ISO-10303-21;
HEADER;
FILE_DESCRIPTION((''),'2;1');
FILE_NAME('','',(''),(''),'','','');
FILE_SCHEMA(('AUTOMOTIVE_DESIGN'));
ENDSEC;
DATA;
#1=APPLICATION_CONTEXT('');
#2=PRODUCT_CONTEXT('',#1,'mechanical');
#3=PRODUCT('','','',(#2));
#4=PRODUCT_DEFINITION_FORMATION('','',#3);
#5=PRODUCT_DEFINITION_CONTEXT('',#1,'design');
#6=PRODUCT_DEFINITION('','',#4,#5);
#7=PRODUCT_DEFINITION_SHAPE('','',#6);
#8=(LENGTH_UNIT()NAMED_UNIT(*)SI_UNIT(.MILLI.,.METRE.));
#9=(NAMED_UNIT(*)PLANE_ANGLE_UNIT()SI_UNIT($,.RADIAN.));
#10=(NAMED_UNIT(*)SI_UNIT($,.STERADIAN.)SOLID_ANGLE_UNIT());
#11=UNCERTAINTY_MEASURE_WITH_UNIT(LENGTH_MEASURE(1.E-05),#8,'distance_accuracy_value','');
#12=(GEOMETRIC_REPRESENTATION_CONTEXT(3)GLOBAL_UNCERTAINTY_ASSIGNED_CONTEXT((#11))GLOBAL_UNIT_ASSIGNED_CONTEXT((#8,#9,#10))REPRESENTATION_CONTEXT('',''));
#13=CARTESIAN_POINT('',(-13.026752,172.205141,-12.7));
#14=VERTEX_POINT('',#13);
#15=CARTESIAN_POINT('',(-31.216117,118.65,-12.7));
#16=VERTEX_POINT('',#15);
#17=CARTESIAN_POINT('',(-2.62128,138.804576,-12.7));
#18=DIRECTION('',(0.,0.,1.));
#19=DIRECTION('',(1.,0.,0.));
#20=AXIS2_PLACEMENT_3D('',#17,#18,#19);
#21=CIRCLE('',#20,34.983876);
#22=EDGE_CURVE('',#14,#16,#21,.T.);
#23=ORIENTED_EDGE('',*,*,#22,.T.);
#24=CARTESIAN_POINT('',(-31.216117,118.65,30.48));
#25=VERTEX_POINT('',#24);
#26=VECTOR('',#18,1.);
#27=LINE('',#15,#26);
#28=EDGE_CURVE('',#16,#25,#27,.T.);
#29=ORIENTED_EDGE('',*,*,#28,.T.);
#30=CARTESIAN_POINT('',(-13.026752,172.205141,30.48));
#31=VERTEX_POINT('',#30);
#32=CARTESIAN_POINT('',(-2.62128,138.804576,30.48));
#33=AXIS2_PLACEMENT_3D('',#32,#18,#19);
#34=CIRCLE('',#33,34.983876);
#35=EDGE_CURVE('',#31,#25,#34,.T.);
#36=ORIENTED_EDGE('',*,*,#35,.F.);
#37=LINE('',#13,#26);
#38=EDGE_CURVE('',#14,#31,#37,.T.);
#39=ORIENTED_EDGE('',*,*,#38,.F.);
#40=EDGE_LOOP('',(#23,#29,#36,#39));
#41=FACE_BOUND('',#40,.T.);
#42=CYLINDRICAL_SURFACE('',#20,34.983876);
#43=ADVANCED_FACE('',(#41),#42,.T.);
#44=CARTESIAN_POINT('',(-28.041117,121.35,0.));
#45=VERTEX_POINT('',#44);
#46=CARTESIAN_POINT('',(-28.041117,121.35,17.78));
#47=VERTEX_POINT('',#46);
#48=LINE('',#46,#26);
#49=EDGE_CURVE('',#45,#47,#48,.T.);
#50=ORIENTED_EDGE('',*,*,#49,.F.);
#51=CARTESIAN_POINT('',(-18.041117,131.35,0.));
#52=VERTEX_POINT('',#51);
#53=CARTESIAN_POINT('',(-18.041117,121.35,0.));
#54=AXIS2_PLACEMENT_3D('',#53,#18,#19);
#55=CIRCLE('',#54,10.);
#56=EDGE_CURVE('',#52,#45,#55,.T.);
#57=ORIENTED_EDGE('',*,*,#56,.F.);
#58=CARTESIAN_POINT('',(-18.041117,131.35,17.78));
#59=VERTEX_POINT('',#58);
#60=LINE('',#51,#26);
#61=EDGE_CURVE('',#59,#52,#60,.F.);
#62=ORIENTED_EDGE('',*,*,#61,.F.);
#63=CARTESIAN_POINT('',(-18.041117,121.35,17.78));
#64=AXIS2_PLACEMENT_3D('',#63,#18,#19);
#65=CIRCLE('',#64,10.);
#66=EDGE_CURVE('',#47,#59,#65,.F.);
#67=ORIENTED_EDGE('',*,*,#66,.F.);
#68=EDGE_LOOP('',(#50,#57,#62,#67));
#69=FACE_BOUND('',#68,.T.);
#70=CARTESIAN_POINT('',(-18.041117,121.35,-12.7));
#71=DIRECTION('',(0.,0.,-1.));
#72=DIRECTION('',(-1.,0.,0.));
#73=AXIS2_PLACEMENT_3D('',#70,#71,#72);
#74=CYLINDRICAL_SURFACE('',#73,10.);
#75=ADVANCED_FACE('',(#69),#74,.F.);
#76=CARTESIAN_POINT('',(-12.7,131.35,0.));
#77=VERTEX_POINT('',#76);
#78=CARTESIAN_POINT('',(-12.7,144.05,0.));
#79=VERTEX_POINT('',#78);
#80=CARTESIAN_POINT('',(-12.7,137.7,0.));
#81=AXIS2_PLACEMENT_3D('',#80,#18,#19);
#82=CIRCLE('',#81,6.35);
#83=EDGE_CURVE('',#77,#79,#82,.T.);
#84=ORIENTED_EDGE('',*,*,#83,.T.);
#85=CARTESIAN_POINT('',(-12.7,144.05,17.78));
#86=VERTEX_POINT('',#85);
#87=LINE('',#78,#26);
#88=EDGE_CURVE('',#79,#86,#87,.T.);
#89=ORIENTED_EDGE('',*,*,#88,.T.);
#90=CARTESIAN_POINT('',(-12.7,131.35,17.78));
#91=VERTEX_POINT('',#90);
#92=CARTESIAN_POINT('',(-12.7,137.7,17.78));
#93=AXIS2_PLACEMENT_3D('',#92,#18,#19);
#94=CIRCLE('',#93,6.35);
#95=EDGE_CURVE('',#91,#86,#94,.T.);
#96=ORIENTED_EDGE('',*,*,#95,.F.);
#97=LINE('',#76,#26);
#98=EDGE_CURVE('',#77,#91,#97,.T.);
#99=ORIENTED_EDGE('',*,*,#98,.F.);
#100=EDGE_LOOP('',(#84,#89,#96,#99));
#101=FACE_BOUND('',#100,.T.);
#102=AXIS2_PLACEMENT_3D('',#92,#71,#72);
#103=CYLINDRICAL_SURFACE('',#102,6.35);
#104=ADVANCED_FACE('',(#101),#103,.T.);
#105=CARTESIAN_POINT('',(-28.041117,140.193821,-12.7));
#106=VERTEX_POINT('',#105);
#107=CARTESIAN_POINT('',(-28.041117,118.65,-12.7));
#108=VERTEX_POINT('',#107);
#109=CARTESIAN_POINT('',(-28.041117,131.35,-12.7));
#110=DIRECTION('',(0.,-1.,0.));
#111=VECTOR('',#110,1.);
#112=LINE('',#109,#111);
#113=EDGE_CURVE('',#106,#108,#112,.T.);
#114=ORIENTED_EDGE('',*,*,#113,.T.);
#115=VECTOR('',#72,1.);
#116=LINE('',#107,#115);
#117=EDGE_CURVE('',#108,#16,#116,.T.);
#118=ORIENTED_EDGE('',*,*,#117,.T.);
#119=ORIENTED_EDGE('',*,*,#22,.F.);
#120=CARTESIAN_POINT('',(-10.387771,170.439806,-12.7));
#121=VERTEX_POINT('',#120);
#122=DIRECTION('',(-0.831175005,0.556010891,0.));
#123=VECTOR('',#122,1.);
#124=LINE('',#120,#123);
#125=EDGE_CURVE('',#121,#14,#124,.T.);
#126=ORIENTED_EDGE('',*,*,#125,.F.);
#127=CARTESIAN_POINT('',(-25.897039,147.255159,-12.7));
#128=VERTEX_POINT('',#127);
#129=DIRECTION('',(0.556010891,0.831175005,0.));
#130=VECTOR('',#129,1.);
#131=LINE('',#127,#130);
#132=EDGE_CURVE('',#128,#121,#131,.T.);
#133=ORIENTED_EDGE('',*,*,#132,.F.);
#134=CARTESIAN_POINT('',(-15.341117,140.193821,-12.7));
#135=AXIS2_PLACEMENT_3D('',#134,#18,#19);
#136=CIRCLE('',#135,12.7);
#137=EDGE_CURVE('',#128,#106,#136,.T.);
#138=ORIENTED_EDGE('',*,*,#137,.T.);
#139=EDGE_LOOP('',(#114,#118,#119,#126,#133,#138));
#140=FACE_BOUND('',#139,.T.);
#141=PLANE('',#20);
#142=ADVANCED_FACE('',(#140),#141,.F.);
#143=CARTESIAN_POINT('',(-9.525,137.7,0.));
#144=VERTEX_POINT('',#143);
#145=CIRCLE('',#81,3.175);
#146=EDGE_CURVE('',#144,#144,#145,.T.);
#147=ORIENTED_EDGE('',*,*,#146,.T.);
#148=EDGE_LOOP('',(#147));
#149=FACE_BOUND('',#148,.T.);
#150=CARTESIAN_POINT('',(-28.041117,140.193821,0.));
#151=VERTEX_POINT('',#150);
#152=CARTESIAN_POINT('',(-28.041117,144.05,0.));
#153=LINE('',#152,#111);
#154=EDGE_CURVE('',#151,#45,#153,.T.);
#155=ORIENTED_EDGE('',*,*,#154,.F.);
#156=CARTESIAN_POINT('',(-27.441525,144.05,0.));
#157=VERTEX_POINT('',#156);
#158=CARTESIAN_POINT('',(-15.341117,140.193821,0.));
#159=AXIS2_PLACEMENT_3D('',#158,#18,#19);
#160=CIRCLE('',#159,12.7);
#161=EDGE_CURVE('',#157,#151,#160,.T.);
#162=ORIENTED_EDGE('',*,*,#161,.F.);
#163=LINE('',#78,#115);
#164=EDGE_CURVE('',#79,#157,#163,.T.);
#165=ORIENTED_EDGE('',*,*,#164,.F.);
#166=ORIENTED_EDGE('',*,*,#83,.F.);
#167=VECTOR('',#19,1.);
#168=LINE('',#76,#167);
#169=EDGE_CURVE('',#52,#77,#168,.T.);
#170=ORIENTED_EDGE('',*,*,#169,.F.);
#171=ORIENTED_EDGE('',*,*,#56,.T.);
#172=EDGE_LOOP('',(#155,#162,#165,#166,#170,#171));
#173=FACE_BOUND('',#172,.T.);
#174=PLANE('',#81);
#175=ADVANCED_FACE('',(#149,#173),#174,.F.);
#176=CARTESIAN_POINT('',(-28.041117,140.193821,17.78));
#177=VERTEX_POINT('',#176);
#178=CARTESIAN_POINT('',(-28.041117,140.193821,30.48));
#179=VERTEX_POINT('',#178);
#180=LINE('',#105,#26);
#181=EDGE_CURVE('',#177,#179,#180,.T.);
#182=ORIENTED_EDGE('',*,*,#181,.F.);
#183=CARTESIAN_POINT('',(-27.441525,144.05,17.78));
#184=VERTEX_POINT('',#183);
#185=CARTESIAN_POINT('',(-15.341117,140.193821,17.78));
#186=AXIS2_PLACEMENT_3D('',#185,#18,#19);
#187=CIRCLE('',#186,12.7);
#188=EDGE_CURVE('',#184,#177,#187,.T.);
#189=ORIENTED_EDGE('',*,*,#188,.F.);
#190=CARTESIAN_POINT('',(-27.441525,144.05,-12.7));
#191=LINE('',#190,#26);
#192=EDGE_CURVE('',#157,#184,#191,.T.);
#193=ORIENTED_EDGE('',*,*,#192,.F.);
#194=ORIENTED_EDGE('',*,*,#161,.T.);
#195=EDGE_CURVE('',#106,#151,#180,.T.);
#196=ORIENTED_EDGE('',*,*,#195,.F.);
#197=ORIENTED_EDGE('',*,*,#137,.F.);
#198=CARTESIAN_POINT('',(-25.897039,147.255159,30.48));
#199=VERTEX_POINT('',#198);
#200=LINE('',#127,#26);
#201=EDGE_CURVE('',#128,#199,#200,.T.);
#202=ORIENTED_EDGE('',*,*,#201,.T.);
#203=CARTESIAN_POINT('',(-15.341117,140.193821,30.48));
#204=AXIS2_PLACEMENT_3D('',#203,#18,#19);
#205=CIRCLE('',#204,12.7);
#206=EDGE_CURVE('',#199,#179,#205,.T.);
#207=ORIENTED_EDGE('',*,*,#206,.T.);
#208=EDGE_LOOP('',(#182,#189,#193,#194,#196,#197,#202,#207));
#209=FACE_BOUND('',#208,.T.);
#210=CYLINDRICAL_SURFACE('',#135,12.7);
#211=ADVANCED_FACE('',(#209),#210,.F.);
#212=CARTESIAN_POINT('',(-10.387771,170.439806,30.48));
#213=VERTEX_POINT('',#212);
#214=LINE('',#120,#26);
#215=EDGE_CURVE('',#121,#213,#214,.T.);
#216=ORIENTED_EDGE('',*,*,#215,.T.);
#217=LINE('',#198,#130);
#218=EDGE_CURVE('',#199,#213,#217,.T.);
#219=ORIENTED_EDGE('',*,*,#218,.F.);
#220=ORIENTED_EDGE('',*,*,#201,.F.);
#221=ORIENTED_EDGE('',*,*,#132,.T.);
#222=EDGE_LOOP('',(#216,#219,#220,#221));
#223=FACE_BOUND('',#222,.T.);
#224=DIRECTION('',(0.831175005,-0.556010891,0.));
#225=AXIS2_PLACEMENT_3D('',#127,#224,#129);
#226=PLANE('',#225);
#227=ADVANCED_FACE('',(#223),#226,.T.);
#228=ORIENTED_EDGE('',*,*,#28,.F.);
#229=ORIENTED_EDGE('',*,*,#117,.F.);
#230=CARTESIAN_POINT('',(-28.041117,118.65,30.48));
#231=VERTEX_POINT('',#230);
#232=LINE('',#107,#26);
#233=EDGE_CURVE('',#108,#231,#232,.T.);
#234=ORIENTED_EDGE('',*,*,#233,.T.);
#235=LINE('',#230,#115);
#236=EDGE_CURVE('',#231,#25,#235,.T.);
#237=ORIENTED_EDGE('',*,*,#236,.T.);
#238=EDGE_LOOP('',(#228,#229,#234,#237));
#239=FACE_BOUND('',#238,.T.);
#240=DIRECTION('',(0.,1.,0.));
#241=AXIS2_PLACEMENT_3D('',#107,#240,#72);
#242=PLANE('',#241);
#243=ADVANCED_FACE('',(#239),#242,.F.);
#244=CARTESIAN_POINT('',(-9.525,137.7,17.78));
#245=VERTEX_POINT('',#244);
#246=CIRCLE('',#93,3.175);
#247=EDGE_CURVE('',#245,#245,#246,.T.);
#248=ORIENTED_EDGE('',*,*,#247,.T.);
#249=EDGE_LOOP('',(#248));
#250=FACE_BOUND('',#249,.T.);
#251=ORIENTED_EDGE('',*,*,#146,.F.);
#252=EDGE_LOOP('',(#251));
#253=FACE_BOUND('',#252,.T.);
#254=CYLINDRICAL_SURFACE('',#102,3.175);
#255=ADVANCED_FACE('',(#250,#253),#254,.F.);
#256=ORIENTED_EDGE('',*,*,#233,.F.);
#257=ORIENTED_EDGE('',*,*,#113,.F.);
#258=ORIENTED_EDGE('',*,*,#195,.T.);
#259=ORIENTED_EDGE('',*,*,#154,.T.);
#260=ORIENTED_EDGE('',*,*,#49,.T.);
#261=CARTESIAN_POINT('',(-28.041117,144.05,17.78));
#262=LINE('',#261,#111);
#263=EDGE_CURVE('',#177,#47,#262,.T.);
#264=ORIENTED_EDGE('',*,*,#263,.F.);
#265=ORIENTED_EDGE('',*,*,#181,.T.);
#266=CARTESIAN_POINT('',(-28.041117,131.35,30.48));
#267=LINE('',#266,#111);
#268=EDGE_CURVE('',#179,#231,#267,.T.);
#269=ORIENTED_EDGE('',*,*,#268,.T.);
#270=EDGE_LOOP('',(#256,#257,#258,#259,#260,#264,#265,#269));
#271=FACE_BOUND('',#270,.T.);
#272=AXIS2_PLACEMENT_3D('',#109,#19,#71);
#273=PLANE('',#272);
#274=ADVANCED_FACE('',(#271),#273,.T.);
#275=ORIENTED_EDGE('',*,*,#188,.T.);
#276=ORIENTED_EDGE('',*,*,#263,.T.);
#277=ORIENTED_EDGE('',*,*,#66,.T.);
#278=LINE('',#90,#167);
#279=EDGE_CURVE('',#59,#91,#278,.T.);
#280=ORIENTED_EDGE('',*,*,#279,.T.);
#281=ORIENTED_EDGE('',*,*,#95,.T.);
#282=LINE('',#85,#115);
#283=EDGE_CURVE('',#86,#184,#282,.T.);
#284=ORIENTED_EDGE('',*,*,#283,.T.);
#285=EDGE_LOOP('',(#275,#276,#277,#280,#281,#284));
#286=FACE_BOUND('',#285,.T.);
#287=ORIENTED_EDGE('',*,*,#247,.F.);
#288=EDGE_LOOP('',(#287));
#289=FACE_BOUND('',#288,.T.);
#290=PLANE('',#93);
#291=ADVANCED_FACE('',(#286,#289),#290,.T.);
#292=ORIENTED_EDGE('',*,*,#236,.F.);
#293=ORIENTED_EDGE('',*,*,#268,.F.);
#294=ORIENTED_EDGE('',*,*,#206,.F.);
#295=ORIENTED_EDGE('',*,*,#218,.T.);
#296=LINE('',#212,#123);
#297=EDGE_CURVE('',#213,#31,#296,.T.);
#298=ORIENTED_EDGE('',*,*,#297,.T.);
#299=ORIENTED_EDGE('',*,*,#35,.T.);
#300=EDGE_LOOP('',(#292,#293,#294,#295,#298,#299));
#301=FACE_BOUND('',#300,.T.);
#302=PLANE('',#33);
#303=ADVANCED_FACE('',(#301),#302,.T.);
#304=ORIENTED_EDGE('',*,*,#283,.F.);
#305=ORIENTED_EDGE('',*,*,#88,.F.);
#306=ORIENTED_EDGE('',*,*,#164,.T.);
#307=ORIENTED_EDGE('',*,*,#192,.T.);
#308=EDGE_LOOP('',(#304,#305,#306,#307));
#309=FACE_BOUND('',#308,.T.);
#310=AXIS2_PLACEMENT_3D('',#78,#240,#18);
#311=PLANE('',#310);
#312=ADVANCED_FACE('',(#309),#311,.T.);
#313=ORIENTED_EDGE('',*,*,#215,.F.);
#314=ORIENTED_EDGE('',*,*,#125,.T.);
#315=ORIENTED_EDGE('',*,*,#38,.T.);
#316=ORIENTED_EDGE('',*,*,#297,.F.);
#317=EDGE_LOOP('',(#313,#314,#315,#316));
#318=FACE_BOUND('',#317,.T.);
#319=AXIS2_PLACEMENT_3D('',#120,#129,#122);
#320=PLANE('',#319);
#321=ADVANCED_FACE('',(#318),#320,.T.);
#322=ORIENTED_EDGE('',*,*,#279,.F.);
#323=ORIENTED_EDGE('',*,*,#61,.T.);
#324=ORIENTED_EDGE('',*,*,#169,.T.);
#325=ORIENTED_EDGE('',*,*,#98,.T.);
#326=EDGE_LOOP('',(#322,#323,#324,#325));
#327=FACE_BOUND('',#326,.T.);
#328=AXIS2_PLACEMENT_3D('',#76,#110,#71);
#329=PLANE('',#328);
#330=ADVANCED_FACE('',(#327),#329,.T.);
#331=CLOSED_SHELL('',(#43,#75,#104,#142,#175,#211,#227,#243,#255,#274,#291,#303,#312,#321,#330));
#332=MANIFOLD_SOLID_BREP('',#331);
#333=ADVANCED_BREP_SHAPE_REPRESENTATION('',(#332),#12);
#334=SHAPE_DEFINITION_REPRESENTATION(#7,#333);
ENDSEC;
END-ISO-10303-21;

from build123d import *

# Parameters (mm, degrees)
SKETCH1_R                = 6.35
SKETCH1_R_2              = 3.175
BOSS_EXTRUDE1_DEPTH      = 17.78
BOSS_EXTRUDE2_DEPTH      = 17.78
BOSS_EXTRUDE3_DEPTH      = 12.7
BOSS_EXTRUDE3_DEPTH_BACK = 30.48
FILLET1_R                = 10


with BuildPart() as part:
    # Sketch1 → Boss-Extrude1 (new body)
    with BuildSketch(Plane.XY):
        with Locations((-12.7, 137.7)):
            Circle(SKETCH1_R)
        with Locations((-12.7, 137.7)):
            Circle(SKETCH1_R_2, mode=Mode.SUBTRACT)
    extrude(amount=BOSS_EXTRUDE1_DEPTH)

    # Sketch2 → Boss-Extrude2 (add)
    with BuildSketch(Plane.XY.offset(17.78)):
        with BuildLine():
            Line((-12.7, 131.35), (-28.041116719, 131.35))
            Line((-28.041116719, 131.35), (-28.041116719, 144.05))
            Line((-28.041116719, 144.05), (-12.7, 144.05))
            ThreePointArc((-12.7, 144.05), (-19.05, 137.7), (-12.7, 131.35))
        make_face()
    extrude(amount=-BOSS_EXTRUDE2_DEPTH)

    # Sketch3 → Boss-Extrude3 (add, two sides)
    with BuildSketch(Plane.XY.offset(17.78)) as boss_extrude3_sk:
        with BuildLine():
            Line((-28.041116719, 131.35), (-28.041116719, 118.65))
            Line((-28.041116719, 118.65), (-31.216116719, 118.65))
            ThreePointArc((-31.216116719, 118.65), (-35.746712734, 150.055233925), (-13.026751575, 172.205140992))
            Line((-13.026751575, 172.205140992), (-10.387770933, 170.439806414))
            Line((-10.387770933, 170.439806414), (-25.897039285, 147.25515947))
            ThreePointArc((-25.897039285, 147.25515947), (-27.493281477, 143.883657427), (-28.041116719, 140.193821156))
            Line((-28.041116719, 140.193821156), (-28.041116719, 131.35))
        make_face()
    extrude(amount=BOSS_EXTRUDE3_DEPTH)
    extrude(boss_extrude3_sk.sketch, amount=-BOSS_EXTRUDE3_DEPTH_BACK)

    # Fillet1
    fillet1_edges = [part.edges().sort_by_distance(p)[0] for p in [
        (-28.041116719, 131.35, 8.89),
    ]]
    fillet(fillet1_edges, radius=FILLET1_R)


solid = part.part
